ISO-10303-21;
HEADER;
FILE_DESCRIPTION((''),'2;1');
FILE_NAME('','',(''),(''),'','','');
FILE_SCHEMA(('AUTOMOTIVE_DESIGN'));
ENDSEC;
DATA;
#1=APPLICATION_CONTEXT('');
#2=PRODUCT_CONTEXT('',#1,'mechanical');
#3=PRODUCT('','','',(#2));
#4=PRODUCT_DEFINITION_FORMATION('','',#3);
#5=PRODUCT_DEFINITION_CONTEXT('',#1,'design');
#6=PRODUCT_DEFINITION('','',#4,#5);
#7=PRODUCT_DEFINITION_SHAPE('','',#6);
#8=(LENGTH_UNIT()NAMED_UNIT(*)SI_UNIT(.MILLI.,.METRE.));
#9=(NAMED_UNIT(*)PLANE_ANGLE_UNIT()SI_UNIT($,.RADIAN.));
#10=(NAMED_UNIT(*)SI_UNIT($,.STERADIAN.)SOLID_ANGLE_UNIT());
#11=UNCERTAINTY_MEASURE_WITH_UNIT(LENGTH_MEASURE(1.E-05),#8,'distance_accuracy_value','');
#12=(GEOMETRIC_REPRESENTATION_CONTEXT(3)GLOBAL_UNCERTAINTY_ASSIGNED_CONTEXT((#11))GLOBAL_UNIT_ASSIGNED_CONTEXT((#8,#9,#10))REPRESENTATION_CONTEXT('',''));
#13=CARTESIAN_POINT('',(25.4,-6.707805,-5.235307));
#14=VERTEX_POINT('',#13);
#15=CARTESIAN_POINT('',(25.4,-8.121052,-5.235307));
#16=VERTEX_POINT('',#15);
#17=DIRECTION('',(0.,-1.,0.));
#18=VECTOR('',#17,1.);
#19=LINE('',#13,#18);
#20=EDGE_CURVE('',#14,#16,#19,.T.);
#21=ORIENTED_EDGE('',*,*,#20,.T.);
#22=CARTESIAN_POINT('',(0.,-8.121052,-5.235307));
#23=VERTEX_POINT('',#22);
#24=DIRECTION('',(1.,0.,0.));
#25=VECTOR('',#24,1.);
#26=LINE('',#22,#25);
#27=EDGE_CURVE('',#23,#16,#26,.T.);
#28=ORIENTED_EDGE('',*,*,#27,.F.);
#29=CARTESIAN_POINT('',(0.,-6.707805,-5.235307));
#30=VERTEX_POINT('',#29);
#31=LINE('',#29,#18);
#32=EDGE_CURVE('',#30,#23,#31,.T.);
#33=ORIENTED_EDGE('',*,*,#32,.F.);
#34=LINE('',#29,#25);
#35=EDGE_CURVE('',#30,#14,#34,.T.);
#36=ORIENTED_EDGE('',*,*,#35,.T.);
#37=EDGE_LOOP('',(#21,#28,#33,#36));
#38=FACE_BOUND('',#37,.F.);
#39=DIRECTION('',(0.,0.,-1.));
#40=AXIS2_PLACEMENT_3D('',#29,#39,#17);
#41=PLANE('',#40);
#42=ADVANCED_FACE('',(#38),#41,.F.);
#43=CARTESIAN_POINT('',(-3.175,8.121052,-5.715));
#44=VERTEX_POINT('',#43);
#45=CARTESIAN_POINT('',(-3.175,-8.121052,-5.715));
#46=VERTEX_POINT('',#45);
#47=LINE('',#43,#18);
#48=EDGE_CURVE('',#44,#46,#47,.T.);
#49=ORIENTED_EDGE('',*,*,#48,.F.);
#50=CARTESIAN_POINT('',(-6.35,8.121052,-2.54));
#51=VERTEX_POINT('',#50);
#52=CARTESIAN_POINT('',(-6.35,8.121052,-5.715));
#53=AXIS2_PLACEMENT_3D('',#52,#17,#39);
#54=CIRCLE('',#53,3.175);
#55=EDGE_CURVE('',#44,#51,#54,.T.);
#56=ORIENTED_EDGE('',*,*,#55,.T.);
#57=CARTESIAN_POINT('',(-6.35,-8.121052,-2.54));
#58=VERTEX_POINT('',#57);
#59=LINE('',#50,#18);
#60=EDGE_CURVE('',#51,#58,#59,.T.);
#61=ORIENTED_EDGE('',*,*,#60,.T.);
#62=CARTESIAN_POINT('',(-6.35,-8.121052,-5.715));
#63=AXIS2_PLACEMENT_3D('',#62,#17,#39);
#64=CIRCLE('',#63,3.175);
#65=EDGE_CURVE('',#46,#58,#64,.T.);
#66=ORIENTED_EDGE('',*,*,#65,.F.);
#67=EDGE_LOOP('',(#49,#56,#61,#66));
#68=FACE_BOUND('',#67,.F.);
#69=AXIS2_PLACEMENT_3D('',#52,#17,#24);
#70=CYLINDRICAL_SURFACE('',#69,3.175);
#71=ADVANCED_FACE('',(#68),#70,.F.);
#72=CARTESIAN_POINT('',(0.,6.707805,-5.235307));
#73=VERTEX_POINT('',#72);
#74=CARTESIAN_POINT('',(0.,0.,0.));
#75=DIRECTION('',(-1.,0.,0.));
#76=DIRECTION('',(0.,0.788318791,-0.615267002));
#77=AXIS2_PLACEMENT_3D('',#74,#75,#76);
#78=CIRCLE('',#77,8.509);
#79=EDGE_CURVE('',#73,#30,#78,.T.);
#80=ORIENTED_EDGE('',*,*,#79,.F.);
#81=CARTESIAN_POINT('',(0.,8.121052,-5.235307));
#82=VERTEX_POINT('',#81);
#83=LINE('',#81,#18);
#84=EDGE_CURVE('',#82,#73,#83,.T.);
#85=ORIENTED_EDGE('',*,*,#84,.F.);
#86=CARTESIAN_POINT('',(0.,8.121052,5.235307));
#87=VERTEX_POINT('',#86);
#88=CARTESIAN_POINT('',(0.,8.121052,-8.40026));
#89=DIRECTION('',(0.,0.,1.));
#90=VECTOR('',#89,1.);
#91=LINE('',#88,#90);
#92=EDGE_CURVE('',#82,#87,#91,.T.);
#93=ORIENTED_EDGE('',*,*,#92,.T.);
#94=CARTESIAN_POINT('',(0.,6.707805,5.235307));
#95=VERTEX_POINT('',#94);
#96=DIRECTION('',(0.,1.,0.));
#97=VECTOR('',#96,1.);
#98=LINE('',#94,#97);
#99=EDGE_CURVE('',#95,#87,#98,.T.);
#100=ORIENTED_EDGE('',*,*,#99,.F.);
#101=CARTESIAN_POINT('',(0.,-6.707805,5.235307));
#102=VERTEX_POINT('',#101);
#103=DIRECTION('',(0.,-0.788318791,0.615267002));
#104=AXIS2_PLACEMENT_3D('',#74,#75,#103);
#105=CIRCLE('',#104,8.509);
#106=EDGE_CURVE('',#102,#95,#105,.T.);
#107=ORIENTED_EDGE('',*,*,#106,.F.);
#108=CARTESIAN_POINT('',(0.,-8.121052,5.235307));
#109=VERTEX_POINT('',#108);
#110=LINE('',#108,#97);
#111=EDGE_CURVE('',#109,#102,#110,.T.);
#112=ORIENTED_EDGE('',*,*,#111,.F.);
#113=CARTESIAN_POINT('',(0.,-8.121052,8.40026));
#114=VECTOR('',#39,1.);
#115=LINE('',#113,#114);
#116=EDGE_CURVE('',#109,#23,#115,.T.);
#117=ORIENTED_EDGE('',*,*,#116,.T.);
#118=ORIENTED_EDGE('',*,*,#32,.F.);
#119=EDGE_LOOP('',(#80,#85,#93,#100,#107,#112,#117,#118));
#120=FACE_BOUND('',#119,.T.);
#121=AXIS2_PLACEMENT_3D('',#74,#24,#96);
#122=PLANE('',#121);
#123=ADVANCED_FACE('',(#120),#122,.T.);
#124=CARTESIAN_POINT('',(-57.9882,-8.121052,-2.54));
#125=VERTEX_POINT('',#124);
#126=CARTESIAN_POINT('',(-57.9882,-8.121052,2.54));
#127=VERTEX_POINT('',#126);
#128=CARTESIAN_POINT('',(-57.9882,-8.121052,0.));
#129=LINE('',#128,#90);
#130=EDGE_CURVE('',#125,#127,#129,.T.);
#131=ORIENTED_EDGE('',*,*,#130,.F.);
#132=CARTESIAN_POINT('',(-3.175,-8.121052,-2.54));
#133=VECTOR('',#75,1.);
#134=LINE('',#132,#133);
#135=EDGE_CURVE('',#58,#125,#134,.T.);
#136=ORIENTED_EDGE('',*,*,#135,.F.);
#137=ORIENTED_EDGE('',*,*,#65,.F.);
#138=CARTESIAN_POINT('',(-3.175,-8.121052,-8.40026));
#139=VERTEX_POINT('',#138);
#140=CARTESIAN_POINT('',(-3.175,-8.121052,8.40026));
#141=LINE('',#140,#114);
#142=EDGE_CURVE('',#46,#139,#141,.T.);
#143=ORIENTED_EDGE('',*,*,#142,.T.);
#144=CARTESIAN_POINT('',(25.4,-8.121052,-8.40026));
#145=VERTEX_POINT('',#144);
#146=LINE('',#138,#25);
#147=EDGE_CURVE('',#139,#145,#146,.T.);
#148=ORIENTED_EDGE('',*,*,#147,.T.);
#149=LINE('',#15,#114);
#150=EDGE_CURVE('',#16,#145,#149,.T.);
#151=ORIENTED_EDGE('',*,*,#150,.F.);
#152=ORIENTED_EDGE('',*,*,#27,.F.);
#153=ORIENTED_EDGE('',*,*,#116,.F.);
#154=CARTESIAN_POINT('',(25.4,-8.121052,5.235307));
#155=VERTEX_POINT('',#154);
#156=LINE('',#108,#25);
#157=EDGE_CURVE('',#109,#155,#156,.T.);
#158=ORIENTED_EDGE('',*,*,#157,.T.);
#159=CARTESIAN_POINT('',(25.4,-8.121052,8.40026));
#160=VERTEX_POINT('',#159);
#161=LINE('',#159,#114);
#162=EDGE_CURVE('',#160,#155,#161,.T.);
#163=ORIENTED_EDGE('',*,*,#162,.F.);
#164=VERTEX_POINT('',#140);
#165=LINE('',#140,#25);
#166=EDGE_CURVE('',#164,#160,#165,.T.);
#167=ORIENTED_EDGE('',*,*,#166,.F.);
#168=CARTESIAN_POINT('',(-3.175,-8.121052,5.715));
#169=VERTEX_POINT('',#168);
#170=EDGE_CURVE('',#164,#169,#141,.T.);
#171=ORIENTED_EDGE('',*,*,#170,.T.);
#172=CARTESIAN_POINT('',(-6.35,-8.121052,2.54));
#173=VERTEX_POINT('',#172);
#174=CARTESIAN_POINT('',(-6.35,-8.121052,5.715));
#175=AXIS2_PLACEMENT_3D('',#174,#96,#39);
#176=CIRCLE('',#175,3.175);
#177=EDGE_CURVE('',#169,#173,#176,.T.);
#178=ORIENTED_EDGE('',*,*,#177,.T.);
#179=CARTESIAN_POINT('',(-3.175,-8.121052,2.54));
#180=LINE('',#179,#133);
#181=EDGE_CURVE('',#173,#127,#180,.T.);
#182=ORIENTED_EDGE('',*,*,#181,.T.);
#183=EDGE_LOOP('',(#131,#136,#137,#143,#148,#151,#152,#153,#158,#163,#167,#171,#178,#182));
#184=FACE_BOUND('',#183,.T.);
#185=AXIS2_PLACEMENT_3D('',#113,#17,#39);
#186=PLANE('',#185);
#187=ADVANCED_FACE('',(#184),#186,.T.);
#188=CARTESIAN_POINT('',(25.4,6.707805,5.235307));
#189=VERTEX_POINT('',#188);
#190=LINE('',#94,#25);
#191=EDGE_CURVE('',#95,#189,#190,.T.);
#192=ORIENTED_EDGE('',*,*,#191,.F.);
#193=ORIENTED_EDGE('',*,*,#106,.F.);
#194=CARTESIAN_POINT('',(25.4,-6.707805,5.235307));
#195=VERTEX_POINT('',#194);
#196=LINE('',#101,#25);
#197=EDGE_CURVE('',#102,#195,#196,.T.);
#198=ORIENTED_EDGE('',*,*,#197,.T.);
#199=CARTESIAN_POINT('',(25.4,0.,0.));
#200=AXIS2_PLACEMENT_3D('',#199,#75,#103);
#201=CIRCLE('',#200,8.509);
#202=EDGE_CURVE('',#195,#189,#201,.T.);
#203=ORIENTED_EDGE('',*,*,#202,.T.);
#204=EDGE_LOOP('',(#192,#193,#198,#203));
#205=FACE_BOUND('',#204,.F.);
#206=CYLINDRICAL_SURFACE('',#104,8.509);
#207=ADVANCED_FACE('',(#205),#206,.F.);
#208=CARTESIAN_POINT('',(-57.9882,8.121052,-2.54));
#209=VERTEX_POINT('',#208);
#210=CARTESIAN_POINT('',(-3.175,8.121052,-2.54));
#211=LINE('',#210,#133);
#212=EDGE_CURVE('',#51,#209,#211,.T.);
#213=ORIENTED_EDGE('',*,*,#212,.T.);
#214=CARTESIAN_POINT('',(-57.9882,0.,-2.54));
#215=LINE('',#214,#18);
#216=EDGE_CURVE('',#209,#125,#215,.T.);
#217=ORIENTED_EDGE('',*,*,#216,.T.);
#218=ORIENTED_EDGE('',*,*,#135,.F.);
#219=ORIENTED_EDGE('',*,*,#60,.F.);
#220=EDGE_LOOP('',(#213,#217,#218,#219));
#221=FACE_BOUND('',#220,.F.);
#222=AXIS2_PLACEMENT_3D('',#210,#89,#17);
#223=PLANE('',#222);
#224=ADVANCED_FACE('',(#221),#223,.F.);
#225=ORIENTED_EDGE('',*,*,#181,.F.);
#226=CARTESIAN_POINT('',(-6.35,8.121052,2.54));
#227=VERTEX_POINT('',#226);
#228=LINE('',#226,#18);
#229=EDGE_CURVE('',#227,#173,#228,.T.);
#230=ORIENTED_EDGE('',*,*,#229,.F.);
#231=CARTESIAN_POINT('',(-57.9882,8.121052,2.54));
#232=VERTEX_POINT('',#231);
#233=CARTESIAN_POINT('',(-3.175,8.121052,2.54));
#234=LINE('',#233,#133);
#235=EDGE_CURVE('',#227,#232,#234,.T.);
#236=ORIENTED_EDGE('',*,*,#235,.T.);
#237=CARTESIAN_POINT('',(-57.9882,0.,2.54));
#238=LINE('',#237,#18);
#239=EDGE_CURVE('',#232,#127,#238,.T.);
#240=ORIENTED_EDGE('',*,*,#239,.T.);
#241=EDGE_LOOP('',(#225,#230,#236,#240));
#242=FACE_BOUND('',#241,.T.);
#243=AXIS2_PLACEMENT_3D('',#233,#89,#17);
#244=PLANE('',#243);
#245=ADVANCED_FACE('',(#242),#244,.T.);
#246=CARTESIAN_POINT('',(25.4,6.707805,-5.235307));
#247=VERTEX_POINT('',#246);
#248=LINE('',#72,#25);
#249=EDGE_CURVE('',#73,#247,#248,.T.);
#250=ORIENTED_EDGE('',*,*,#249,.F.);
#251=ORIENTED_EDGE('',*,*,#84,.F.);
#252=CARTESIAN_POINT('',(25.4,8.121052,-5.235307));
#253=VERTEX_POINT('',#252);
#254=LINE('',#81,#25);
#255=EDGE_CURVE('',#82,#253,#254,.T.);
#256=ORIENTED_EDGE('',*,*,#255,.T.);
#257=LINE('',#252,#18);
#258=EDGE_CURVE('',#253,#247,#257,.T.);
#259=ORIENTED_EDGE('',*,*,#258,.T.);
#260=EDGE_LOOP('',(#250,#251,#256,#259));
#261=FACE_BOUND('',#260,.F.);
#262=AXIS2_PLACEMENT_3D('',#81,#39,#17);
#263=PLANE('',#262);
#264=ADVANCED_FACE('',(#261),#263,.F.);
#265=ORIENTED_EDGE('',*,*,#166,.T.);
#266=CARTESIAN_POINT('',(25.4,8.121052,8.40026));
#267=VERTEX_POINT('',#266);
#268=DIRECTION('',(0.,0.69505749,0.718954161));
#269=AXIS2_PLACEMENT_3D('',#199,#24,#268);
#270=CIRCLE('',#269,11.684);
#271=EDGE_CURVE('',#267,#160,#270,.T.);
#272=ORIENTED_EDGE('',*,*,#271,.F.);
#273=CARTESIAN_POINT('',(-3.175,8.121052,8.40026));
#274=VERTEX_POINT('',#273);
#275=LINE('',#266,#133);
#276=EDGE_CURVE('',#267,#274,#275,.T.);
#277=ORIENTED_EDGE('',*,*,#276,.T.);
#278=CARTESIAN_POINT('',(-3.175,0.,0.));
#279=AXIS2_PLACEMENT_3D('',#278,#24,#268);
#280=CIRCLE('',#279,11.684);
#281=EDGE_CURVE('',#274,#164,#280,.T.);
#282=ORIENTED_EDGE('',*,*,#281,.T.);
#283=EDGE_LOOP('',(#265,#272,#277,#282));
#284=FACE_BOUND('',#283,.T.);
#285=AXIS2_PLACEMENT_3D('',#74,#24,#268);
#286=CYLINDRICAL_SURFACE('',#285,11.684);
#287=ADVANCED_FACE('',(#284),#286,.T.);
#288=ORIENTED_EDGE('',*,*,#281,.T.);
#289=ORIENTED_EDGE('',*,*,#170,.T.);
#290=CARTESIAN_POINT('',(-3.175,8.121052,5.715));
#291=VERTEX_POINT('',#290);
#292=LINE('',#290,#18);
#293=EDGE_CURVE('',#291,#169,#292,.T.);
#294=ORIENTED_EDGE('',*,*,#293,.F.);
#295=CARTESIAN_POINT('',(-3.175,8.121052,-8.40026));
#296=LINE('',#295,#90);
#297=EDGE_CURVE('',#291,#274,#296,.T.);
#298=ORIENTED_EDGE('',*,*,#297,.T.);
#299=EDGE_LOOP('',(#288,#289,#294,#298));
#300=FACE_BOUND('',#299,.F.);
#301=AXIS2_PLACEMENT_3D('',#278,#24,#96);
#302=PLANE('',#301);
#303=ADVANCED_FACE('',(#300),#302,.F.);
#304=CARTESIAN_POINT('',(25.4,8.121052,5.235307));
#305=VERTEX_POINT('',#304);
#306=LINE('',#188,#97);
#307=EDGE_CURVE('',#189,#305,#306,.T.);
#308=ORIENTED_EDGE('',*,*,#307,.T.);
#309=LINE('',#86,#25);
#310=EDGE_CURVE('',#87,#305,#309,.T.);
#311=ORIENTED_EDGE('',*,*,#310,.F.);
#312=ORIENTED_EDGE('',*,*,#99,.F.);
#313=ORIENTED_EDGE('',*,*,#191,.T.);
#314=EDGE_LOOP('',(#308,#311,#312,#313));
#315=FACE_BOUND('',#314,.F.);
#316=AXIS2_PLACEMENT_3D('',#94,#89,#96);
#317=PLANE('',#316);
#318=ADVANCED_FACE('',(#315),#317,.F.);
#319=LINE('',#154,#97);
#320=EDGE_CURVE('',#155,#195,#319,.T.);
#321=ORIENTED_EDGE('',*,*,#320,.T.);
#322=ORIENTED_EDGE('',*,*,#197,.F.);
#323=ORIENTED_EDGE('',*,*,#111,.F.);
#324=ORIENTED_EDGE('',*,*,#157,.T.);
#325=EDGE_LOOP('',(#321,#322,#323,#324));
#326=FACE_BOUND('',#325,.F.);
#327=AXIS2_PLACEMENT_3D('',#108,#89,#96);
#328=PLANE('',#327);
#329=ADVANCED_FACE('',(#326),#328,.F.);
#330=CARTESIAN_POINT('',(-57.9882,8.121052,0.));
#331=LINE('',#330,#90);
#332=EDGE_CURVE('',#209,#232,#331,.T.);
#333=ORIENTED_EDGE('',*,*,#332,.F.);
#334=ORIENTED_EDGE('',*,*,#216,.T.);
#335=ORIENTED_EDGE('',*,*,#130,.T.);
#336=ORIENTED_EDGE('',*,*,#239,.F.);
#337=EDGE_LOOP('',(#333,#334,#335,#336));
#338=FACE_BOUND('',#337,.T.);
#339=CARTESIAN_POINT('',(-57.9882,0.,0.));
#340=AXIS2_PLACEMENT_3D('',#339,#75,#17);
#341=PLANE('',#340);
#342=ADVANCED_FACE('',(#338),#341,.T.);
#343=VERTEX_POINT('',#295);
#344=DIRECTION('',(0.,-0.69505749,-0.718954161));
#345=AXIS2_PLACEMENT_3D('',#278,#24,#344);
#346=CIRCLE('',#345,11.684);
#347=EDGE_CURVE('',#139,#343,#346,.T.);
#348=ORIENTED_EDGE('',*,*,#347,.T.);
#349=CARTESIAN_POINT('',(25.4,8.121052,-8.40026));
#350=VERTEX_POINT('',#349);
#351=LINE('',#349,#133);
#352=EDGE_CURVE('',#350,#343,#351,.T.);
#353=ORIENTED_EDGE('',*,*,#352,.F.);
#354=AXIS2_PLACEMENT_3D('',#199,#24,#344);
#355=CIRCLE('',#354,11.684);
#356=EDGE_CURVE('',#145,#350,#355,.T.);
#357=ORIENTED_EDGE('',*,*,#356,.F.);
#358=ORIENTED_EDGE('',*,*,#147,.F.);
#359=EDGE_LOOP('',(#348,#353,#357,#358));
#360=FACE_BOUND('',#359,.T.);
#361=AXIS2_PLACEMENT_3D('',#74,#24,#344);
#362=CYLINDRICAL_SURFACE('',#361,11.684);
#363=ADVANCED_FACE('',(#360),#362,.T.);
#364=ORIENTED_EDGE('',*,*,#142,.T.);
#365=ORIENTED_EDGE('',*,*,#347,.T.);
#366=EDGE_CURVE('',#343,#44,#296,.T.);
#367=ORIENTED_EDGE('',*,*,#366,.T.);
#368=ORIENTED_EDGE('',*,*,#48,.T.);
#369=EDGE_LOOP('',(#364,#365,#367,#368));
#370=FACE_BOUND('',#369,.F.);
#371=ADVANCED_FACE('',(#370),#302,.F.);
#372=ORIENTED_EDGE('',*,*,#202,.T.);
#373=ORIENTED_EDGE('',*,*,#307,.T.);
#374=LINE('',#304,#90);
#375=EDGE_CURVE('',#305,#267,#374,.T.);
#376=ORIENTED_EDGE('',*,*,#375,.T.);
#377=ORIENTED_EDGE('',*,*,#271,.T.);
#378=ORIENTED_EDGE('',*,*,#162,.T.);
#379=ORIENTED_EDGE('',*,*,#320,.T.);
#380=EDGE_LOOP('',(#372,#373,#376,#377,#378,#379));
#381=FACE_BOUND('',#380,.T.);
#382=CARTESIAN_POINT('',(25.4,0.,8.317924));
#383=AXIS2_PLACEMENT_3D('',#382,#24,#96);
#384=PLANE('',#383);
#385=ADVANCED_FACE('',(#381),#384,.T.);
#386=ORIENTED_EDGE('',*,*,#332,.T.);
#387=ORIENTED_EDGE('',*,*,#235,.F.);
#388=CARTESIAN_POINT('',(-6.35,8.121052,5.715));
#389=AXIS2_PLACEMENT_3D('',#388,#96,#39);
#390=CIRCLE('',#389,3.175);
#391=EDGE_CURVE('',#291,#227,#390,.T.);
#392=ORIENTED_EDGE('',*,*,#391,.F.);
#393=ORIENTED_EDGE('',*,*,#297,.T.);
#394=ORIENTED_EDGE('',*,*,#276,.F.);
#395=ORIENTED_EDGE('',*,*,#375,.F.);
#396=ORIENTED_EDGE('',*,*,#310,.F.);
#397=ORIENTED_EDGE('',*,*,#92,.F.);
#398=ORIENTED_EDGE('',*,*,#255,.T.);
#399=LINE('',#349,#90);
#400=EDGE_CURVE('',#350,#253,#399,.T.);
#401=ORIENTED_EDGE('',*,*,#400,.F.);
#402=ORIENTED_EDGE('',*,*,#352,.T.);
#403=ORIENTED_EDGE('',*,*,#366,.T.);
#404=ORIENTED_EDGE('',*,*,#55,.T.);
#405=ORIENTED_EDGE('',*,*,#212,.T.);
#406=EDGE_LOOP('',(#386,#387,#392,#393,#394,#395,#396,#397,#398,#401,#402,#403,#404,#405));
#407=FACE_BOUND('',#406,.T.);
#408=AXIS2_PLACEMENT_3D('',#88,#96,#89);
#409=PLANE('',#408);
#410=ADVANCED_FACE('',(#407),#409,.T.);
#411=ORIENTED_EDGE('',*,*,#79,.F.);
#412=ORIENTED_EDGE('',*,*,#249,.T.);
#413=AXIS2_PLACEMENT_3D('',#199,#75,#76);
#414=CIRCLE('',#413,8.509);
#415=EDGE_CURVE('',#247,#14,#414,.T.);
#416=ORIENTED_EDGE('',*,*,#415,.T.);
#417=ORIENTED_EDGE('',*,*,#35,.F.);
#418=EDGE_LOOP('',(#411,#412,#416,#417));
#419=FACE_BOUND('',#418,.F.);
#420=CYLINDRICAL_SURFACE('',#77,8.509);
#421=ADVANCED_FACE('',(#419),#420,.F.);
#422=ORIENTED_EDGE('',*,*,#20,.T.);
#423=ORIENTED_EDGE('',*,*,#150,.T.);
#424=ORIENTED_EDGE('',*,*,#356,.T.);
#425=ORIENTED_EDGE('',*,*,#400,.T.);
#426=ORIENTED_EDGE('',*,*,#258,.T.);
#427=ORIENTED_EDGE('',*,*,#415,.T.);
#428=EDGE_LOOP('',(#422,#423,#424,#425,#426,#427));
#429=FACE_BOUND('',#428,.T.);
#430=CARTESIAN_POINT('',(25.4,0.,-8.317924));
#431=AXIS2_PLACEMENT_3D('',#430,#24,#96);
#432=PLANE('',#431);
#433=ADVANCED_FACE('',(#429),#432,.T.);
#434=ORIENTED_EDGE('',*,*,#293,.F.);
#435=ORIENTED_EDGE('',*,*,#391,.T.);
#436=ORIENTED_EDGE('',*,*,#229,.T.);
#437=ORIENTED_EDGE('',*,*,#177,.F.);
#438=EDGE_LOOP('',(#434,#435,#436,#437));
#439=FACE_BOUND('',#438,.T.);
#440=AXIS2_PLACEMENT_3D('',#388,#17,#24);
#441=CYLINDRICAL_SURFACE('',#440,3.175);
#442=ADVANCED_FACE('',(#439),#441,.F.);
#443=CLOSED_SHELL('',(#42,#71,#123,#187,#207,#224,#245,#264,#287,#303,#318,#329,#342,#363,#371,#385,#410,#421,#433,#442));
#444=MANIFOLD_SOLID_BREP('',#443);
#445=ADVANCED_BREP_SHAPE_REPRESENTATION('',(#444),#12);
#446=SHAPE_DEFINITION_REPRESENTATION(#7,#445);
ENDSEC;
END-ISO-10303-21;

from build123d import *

# Parameters (mm, degrees)
F1_DEPTH = 25.4
F2_DEPTH = 3.175
F3_W     = 16.2421034352
F3_H     = 5.08
F4_DEPTH = 54.8132
F5_R     = 3.175


with BuildPart() as f1:
    # F0 (on Right) → F1 (new body)
    with BuildSketch(Plane.YZ):
        with BuildLine():
            Line((-8.1210517176, 8.4002604126), (-8.1210517176, 5.2353069186))
            Line((-8.1210517176, 5.2353069186), (-6.7078045937, 5.2353069186))
            ThreePointArc((-6.7078045937, 5.2353069186), (0, 8.509), (6.7078045937, 5.2353069186))
            Line((6.7078045937, 5.2353069186), (8.1210517176, 5.2353069186))
            Line((8.1210517176, 5.2353069186), (8.1210517176, 8.4002604126))
            ThreePointArc((8.1210517176, 8.4002604126), (0, 11.684), (-8.1210517176, 8.4002604126))
        make_face()
    extrude(amount=F1_DEPTH)



with BuildPart() as f1b:
    # F0 (on Right) → F1, piece 2 (new body)
    with BuildSketch(Plane.YZ):
        with BuildLine():
            Line((-8.1210517176, -5.2353069186), (-8.1210517176, -8.4002604126))
            ThreePointArc((-8.1210517176, -8.4002604126), (0, -11.684), (8.1210517176, -8.4002604126))
            Line((8.1210517176, -8.4002604126), (8.1210517176, -5.2353069186))
            Line((8.1210517176, -5.2353069186), (6.7078045937, -5.2353069186))
            ThreePointArc((6.7078045937, -5.2353069186), (0, -8.509), (-6.7078045937, -5.2353069186))
            Line((-6.7078045937, -5.2353069186), (-8.1210517176, -5.2353069186))
        make_face()
    extrude(amount=F1_DEPTH)


with BuildPart() as f1_1:
    add(f1.part)

    add(f1b.part)  # F2 merges F1b
    # F0 (on Right) → F2 (join)
    with BuildSketch(Plane.YZ):
        with BuildLine():
            Line((-8.1210517176, 5.2353069186), (-8.1210517176, -5.2353069186))
            Line((-8.1210517176, -5.2353069186), (-6.7078045937, -5.2353069186))
            ThreePointArc((-6.7078045937, -5.2353069186), (0, -8.509), (6.7078045937, -5.2353069186))
            Line((6.7078045937, -5.2353069186), (8.1210517176, -5.2353069186))
            Line((8.1210517176, -5.2353069186), (8.1210517176, 5.2353069186))
            Line((8.1210517176, 5.2353069186), (6.7078045937, 5.2353069186))
            ThreePointArc((6.7078045937, 5.2353069186), (0, 8.509), (-6.7078045937, 5.2353069186))
            Line((-6.7078045937, 5.2353069186), (-8.1210517176, 5.2353069186))
        make_face()
        with BuildLine():
            Line((-8.1210517176, 8.4002604126), (-8.1210517176, 5.2353069186))
            Line((-8.1210517176, 5.2353069186), (-6.7078045937, 5.2353069186))
            ThreePointArc((-6.7078045937, 5.2353069186), (0, 8.509), (6.7078045937, 5.2353069186))
            Line((6.7078045937, 5.2353069186), (8.1210517176, 5.2353069186))
            Line((8.1210517176, 5.2353069186), (8.1210517176, 8.4002604126))
            ThreePointArc((8.1210517176, 8.4002604126), (0, 11.684), (-8.1210517176, 8.4002604126))
        make_face()
        with BuildLine():
            Line((-8.1210517176, -5.2353069186), (-8.1210517176, -8.4002604126))
            ThreePointArc((-8.1210517176, -8.4002604126), (0, -11.684), (8.1210517176, -8.4002604126))
            Line((8.1210517176, -8.4002604126), (8.1210517176, -5.2353069186))
            Line((8.1210517176, -5.2353069186), (6.7078045937, -5.2353069186))
            ThreePointArc((6.7078045937, -5.2353069186), (0, -8.509), (-6.7078045937, -5.2353069186))
            Line((-6.7078045937, -5.2353069186), (-8.1210517176, -5.2353069186))
        make_face()
    extrude(amount=-F2_DEPTH)

    # F3 (on face) → F4 (join)
    with BuildSketch(Plane(origin=(-3.175, 0, 0), x_dir=(0, -1, 0), z_dir=(-1, 0, 0))):
        Rectangle(F3_W, F3_H)
    extrude(amount=F4_DEPTH)

    # F5
    f5_edges = [f1_1.edges().sort_by_distance(p)[0] for p in [
        (-3.175, 0, 2.54),
        (-3.175, 0, -2.54),
    ]]
    fillet(f5_edges, radius=F5_R)


solid = f1_1.part
